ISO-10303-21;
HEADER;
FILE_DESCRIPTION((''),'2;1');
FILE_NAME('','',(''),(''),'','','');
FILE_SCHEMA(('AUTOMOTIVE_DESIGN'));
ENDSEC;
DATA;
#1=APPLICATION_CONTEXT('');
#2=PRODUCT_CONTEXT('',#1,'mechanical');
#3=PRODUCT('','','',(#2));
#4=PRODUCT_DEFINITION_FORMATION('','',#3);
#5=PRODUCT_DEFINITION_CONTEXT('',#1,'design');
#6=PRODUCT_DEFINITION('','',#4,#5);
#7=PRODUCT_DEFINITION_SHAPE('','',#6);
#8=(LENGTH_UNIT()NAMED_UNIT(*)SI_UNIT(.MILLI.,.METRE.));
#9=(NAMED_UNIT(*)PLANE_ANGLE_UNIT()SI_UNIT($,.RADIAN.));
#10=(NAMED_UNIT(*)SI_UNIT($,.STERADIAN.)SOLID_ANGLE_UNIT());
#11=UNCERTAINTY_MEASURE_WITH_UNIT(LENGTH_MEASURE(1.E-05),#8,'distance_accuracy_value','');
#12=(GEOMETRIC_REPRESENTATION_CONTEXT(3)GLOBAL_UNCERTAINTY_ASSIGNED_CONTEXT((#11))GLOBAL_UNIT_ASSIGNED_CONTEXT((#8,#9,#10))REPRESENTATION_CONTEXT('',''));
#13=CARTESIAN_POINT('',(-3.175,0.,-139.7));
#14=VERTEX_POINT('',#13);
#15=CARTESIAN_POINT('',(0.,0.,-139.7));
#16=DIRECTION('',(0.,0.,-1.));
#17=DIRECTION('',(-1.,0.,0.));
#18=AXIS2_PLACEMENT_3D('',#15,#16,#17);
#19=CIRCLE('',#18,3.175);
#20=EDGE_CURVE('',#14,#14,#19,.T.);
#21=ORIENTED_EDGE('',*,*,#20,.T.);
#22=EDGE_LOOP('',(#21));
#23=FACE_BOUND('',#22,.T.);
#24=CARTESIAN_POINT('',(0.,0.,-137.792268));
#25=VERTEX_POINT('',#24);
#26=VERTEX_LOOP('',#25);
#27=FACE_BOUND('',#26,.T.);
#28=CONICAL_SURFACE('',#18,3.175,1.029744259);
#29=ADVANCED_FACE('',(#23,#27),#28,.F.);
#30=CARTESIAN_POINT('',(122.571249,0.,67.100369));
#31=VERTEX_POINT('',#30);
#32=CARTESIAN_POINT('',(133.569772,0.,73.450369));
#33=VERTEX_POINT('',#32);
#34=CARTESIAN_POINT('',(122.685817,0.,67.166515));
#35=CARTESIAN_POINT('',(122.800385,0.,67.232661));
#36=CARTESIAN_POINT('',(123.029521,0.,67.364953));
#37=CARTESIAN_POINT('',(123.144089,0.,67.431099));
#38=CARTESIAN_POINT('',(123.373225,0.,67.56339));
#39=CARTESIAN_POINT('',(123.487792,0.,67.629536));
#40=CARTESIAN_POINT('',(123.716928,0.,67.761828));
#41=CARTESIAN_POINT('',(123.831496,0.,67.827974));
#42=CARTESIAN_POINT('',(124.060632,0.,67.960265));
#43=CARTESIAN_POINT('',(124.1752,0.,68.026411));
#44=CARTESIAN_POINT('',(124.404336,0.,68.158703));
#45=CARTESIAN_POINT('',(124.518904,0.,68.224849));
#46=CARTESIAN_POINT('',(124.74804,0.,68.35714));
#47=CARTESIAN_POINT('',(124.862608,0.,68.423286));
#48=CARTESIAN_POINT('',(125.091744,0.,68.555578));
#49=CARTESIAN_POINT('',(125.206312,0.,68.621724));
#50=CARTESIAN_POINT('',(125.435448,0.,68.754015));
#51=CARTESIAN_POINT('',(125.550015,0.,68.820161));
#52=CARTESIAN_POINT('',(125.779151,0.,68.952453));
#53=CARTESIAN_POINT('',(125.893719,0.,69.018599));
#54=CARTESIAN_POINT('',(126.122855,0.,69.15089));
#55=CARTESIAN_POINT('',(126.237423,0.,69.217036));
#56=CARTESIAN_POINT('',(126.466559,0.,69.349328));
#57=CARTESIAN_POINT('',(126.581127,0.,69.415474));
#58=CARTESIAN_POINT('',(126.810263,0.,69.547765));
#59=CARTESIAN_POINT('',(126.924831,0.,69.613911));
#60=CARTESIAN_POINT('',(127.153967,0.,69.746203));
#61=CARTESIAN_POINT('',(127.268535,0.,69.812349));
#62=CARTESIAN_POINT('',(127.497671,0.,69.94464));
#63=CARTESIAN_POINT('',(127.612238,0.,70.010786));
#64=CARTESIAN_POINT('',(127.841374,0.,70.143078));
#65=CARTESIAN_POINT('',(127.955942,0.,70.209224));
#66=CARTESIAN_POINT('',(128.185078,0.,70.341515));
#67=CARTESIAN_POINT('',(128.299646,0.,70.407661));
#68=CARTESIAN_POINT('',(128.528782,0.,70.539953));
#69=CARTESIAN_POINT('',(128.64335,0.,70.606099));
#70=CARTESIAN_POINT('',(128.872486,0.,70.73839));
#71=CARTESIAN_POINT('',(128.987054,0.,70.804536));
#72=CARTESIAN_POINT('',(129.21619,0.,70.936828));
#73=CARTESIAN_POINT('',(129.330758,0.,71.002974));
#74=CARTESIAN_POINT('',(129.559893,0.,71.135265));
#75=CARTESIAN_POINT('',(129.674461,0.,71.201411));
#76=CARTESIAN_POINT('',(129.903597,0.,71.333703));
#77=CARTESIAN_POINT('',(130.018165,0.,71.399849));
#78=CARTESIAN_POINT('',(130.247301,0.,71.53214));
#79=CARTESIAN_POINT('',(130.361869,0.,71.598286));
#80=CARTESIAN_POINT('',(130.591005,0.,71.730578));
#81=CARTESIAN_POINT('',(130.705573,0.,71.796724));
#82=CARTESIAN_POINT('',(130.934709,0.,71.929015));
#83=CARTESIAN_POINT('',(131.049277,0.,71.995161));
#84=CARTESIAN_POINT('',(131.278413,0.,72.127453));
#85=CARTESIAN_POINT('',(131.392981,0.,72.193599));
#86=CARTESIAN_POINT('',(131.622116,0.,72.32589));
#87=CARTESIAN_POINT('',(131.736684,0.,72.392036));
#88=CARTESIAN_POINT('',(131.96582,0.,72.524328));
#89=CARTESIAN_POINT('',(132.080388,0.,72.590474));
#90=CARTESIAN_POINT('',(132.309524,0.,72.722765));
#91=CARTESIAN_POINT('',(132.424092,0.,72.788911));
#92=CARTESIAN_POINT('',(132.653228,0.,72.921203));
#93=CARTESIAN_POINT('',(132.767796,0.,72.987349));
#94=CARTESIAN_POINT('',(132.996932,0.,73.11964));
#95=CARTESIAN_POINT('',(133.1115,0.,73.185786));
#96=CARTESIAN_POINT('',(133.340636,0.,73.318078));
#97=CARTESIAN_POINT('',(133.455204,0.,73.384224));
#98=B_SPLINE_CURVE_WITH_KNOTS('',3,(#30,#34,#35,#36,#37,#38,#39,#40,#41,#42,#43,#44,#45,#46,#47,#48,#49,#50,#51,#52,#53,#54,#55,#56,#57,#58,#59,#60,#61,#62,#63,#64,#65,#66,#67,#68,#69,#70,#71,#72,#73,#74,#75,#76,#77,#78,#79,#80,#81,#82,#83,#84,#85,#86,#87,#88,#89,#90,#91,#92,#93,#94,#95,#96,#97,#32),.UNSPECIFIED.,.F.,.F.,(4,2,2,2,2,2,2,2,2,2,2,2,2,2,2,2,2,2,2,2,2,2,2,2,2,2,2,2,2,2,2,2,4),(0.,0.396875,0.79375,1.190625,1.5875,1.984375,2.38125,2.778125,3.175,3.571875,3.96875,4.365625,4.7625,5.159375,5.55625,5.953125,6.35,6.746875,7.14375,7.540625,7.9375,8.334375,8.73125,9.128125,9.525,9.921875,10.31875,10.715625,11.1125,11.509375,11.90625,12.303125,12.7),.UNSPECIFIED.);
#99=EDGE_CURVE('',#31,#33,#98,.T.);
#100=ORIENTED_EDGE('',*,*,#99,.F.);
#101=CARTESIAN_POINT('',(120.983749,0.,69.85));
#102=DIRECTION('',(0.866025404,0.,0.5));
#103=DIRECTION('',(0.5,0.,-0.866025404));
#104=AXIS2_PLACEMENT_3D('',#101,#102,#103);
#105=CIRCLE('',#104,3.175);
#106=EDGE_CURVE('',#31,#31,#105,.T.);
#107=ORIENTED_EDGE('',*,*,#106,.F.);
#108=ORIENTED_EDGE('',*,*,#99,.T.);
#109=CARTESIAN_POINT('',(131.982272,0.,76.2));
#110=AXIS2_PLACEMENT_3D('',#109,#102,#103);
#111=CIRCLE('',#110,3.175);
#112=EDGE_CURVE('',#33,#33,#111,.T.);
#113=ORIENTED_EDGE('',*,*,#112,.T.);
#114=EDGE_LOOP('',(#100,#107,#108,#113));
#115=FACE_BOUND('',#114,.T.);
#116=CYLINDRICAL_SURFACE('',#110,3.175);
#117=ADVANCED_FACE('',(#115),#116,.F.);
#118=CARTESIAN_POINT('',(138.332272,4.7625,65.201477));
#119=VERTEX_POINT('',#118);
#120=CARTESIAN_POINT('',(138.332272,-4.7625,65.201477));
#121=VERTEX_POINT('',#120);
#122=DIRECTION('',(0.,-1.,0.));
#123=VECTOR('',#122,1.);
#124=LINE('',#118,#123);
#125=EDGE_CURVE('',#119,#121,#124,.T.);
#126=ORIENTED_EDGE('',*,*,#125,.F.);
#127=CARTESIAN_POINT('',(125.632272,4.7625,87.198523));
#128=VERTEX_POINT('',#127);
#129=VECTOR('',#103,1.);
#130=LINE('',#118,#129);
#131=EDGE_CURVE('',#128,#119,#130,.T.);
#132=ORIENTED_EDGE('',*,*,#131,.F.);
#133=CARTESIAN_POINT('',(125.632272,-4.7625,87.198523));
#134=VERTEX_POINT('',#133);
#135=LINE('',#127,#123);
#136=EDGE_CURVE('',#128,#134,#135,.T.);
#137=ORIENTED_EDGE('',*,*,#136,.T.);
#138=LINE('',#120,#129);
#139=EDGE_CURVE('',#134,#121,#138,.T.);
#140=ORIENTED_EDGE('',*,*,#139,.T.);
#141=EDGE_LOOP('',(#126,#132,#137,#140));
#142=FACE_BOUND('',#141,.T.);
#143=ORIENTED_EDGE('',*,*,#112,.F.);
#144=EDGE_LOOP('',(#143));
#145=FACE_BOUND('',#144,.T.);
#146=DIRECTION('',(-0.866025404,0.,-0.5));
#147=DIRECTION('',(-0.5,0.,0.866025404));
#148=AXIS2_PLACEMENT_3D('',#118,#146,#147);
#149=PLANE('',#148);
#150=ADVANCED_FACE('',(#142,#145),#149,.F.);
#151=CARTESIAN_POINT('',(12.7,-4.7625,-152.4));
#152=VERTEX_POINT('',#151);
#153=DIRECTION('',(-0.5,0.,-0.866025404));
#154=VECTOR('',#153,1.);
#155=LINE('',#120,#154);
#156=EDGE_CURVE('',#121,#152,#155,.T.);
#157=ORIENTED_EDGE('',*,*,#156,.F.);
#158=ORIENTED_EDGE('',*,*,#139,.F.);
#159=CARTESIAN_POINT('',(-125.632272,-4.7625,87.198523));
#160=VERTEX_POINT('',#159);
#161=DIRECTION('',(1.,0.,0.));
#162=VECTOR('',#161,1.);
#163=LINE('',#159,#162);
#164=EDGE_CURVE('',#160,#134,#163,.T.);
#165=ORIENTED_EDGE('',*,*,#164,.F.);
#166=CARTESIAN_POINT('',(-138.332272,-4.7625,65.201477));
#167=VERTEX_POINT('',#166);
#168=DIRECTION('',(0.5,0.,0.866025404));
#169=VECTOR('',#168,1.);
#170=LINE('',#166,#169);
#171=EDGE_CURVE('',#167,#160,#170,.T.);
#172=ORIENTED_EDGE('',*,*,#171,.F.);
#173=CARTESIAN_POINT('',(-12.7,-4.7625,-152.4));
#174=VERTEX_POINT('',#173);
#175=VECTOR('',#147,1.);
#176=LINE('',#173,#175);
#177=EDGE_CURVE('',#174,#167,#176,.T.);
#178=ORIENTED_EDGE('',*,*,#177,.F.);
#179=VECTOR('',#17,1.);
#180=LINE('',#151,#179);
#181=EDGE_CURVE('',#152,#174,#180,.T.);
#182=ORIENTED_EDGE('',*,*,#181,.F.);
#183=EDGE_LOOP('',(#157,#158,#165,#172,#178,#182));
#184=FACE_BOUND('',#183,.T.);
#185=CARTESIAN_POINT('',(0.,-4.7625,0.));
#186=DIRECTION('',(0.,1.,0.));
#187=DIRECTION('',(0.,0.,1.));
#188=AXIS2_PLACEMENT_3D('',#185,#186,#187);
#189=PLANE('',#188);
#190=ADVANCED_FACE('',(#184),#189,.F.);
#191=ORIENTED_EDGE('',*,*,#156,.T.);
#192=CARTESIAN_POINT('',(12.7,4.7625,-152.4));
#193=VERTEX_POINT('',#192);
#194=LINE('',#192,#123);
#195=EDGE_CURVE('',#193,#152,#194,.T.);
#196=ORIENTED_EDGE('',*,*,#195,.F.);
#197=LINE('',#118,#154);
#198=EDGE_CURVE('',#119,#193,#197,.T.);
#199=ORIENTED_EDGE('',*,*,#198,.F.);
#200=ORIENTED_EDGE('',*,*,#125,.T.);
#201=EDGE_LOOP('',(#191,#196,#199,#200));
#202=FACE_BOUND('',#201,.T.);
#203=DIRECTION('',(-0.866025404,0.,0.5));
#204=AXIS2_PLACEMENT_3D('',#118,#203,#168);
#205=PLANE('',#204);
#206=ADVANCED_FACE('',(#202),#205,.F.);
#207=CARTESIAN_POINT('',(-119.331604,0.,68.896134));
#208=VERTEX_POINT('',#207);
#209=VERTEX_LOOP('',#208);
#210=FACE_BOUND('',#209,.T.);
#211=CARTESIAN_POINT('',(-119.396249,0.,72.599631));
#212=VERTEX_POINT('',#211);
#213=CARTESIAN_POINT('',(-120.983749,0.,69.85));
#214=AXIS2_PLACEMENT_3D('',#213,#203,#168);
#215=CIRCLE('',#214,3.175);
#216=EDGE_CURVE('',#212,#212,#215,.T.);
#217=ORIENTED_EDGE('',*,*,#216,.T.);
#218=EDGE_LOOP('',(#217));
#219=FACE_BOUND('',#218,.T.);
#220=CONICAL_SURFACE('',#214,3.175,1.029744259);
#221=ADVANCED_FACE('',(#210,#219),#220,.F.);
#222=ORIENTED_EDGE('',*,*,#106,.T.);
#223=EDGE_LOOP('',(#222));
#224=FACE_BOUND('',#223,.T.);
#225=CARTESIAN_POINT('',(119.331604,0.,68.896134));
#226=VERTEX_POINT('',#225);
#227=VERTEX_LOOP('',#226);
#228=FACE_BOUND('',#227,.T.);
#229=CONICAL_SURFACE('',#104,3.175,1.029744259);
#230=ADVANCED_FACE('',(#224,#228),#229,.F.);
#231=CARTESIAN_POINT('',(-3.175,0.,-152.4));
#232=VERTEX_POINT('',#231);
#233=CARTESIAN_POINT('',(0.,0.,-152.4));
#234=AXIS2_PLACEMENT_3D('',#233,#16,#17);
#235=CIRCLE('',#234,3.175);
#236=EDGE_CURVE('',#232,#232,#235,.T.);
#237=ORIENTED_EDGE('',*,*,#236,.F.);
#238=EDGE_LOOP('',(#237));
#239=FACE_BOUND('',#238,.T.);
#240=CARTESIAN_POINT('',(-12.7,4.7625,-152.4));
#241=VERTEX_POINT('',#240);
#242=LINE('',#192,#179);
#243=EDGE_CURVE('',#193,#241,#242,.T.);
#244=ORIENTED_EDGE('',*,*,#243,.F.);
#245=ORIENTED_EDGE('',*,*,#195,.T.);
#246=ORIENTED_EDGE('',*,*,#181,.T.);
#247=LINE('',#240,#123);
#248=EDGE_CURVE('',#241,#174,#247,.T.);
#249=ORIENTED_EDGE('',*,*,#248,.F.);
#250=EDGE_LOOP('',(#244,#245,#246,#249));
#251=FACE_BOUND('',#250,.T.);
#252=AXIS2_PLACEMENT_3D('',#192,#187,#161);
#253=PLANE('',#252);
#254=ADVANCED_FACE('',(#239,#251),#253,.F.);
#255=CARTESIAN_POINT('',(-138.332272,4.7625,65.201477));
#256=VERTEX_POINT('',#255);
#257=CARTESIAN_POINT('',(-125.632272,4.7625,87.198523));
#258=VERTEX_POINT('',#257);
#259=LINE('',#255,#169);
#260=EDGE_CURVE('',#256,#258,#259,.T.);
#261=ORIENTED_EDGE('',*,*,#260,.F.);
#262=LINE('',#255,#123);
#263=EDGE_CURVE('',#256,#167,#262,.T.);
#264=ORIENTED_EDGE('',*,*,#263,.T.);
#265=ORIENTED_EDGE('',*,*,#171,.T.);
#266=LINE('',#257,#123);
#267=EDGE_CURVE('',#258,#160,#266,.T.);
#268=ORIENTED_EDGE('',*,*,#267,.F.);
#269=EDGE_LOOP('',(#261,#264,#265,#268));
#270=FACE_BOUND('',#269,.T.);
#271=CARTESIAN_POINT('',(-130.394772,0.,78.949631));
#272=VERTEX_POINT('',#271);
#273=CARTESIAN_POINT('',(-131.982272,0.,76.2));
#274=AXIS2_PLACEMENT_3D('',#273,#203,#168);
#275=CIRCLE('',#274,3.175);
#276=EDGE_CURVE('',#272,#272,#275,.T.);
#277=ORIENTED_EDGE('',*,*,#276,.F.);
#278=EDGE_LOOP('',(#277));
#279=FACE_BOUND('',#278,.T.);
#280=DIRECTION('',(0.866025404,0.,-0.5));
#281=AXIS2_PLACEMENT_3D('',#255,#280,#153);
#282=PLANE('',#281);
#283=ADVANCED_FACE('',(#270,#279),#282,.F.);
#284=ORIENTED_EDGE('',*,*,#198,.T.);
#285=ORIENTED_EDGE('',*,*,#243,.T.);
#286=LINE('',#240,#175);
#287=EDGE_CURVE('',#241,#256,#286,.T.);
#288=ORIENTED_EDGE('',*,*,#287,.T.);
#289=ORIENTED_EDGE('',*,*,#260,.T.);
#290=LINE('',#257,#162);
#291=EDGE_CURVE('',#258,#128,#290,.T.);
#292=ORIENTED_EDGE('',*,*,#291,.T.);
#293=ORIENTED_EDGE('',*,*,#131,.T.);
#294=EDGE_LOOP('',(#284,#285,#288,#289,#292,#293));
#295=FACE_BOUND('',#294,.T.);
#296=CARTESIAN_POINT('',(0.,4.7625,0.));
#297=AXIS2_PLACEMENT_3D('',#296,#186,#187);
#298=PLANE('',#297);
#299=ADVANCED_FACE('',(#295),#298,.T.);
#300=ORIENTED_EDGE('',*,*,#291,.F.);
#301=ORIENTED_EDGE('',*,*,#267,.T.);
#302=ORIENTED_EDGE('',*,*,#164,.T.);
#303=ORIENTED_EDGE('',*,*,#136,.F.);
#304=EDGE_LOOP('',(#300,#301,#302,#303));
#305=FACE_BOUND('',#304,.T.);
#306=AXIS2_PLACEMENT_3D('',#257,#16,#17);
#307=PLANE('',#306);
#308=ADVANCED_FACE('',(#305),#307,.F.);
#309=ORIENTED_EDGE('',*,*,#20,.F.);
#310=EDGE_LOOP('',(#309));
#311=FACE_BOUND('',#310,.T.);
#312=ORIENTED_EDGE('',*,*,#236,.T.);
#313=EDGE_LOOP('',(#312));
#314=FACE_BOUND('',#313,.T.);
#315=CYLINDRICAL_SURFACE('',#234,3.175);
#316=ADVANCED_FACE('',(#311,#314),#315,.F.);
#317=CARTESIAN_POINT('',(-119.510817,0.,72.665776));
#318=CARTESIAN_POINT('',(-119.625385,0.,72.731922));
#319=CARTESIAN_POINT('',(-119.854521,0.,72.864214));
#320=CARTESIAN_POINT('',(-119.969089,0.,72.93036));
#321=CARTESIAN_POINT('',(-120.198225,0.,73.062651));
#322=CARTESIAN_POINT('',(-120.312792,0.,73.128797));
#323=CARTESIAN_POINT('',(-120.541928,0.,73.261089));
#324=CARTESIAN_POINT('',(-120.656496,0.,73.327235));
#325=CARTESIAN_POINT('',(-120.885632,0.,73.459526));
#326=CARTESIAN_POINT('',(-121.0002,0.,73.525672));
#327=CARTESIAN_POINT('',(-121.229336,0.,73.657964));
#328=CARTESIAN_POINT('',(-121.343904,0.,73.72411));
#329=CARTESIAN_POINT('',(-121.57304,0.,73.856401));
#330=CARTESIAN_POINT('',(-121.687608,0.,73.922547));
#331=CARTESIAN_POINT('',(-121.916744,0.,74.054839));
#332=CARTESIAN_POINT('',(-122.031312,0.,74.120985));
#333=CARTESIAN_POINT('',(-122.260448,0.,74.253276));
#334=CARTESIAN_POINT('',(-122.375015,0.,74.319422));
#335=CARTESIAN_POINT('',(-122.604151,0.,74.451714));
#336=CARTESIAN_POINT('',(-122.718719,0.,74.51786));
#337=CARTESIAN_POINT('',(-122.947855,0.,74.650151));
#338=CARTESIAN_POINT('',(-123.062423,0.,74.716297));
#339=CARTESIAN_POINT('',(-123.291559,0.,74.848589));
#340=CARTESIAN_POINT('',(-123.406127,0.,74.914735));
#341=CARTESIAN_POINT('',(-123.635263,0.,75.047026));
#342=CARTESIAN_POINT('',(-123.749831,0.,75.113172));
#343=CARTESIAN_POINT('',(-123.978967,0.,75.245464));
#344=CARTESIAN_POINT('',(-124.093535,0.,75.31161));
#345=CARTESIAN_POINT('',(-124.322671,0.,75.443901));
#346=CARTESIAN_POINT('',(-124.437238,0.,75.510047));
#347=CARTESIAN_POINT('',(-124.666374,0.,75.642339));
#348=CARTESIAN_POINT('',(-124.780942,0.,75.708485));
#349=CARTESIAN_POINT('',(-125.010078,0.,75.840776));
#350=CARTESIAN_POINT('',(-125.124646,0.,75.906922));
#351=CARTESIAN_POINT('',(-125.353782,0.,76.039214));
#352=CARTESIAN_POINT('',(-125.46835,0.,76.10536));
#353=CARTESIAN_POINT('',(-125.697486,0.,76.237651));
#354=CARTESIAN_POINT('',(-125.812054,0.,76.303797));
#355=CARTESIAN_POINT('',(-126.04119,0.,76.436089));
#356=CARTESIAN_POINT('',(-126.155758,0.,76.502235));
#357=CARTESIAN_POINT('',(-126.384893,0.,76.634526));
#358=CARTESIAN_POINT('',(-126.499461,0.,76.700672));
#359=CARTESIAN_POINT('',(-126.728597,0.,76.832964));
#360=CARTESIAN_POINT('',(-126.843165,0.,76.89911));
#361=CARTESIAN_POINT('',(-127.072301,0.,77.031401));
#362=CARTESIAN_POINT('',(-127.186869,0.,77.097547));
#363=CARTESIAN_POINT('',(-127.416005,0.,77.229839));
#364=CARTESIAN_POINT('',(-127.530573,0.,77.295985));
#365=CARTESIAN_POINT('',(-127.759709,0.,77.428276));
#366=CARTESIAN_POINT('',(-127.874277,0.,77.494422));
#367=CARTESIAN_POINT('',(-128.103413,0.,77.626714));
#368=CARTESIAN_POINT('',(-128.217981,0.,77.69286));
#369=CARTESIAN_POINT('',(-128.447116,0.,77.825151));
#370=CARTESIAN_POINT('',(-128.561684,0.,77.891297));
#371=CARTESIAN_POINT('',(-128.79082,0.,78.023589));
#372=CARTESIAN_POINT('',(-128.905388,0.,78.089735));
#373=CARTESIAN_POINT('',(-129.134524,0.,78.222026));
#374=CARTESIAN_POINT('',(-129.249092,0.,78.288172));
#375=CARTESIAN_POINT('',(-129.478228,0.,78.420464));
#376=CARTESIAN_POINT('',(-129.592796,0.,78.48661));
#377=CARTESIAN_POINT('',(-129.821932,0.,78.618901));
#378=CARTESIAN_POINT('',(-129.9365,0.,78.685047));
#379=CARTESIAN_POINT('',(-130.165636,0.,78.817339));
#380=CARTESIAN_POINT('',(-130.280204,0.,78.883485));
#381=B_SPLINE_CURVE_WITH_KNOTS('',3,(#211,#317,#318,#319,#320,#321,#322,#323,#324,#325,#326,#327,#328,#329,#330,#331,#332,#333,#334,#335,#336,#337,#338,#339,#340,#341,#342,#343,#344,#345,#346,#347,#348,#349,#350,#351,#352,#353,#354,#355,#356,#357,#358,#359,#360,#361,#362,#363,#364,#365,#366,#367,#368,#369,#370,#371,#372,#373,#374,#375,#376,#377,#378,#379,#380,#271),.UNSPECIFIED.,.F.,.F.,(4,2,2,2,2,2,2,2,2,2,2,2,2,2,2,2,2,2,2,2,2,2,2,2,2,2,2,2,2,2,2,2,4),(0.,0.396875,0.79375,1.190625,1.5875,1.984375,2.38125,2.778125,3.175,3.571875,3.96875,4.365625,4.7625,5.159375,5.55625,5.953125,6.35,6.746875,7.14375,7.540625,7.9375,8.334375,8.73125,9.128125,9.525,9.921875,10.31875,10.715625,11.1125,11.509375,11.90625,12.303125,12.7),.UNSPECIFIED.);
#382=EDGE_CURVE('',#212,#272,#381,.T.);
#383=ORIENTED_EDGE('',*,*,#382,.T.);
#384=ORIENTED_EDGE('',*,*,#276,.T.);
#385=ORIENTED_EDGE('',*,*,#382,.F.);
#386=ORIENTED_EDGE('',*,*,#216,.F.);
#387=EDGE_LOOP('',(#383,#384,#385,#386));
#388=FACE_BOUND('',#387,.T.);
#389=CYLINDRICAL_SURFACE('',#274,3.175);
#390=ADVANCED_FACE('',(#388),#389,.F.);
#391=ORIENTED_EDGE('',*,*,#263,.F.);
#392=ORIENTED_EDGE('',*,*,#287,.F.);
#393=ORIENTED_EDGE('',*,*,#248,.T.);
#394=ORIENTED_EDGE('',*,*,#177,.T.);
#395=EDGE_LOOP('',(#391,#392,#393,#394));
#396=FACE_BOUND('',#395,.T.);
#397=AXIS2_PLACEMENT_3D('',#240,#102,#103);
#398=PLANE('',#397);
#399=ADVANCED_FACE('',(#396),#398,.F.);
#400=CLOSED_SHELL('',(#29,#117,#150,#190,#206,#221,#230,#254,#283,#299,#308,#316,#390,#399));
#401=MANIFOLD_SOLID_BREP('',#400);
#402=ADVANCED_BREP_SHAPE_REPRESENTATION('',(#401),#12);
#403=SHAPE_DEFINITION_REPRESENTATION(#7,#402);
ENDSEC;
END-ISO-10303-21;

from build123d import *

# Parameters (mm, degrees)
BOSS_EXTRUDE1_DEPTH = 4.7625
CIRPATTERN1_COUNT   = 3


with BuildPart() as part:
    # Sketch1 → Boss-Extrude1 (new, symmetric)
    with BuildSketch(Plane(origin=(0, 0, 0), x_dir=(1, 0, 0), z_dir=(0, 1, 0))):
        Polygon((-12.7, 152.4), (-138.332271537, -65.201477372), (-125.632271537, -87.198522628), (125.632271537, -87.198522628), (138.332271537, -65.201477372), (12.7, 152.4), align=None)
    extrude(amount=BOSS_EXTRUDE1_DEPTH, both=True)

    # Sketch4 → 1/4 (0.25) Diameter Hole1 (revolve, cut)
    with BuildSketch(Plane(origin=(131.982271537, 0, 76.2), x_dir=(0.49999999999999806, 0, -0.8660254037844398), z_dir=(0, 1, 0))):
        Polygon((0, 0), (0, 14.607732465), (3.175, 12.7), (3.175, 0), align=None)
    f_1_4_0_25_diameter_hole1 = revolve(axis=Axis((137.481532851, 0, 79.375), (-0.8660254037844398, 0, -0.49999999999999806)), mode=Mode.SUBTRACT)

    # CirPattern1: 1/4 (0.25) Diameter Hole1 ×3 about axis
    cirpattern1_axis = Axis((0, 4.7625, 0), (0, 1, 0))
    for i in range(1, CIRPATTERN1_COUNT):
        add(f_1_4_0_25_diameter_hole1.rotate(cirpattern1_axis, i * 360 / CIRPATTERN1_COUNT), mode=Mode.SUBTRACT)


solid = part.part
